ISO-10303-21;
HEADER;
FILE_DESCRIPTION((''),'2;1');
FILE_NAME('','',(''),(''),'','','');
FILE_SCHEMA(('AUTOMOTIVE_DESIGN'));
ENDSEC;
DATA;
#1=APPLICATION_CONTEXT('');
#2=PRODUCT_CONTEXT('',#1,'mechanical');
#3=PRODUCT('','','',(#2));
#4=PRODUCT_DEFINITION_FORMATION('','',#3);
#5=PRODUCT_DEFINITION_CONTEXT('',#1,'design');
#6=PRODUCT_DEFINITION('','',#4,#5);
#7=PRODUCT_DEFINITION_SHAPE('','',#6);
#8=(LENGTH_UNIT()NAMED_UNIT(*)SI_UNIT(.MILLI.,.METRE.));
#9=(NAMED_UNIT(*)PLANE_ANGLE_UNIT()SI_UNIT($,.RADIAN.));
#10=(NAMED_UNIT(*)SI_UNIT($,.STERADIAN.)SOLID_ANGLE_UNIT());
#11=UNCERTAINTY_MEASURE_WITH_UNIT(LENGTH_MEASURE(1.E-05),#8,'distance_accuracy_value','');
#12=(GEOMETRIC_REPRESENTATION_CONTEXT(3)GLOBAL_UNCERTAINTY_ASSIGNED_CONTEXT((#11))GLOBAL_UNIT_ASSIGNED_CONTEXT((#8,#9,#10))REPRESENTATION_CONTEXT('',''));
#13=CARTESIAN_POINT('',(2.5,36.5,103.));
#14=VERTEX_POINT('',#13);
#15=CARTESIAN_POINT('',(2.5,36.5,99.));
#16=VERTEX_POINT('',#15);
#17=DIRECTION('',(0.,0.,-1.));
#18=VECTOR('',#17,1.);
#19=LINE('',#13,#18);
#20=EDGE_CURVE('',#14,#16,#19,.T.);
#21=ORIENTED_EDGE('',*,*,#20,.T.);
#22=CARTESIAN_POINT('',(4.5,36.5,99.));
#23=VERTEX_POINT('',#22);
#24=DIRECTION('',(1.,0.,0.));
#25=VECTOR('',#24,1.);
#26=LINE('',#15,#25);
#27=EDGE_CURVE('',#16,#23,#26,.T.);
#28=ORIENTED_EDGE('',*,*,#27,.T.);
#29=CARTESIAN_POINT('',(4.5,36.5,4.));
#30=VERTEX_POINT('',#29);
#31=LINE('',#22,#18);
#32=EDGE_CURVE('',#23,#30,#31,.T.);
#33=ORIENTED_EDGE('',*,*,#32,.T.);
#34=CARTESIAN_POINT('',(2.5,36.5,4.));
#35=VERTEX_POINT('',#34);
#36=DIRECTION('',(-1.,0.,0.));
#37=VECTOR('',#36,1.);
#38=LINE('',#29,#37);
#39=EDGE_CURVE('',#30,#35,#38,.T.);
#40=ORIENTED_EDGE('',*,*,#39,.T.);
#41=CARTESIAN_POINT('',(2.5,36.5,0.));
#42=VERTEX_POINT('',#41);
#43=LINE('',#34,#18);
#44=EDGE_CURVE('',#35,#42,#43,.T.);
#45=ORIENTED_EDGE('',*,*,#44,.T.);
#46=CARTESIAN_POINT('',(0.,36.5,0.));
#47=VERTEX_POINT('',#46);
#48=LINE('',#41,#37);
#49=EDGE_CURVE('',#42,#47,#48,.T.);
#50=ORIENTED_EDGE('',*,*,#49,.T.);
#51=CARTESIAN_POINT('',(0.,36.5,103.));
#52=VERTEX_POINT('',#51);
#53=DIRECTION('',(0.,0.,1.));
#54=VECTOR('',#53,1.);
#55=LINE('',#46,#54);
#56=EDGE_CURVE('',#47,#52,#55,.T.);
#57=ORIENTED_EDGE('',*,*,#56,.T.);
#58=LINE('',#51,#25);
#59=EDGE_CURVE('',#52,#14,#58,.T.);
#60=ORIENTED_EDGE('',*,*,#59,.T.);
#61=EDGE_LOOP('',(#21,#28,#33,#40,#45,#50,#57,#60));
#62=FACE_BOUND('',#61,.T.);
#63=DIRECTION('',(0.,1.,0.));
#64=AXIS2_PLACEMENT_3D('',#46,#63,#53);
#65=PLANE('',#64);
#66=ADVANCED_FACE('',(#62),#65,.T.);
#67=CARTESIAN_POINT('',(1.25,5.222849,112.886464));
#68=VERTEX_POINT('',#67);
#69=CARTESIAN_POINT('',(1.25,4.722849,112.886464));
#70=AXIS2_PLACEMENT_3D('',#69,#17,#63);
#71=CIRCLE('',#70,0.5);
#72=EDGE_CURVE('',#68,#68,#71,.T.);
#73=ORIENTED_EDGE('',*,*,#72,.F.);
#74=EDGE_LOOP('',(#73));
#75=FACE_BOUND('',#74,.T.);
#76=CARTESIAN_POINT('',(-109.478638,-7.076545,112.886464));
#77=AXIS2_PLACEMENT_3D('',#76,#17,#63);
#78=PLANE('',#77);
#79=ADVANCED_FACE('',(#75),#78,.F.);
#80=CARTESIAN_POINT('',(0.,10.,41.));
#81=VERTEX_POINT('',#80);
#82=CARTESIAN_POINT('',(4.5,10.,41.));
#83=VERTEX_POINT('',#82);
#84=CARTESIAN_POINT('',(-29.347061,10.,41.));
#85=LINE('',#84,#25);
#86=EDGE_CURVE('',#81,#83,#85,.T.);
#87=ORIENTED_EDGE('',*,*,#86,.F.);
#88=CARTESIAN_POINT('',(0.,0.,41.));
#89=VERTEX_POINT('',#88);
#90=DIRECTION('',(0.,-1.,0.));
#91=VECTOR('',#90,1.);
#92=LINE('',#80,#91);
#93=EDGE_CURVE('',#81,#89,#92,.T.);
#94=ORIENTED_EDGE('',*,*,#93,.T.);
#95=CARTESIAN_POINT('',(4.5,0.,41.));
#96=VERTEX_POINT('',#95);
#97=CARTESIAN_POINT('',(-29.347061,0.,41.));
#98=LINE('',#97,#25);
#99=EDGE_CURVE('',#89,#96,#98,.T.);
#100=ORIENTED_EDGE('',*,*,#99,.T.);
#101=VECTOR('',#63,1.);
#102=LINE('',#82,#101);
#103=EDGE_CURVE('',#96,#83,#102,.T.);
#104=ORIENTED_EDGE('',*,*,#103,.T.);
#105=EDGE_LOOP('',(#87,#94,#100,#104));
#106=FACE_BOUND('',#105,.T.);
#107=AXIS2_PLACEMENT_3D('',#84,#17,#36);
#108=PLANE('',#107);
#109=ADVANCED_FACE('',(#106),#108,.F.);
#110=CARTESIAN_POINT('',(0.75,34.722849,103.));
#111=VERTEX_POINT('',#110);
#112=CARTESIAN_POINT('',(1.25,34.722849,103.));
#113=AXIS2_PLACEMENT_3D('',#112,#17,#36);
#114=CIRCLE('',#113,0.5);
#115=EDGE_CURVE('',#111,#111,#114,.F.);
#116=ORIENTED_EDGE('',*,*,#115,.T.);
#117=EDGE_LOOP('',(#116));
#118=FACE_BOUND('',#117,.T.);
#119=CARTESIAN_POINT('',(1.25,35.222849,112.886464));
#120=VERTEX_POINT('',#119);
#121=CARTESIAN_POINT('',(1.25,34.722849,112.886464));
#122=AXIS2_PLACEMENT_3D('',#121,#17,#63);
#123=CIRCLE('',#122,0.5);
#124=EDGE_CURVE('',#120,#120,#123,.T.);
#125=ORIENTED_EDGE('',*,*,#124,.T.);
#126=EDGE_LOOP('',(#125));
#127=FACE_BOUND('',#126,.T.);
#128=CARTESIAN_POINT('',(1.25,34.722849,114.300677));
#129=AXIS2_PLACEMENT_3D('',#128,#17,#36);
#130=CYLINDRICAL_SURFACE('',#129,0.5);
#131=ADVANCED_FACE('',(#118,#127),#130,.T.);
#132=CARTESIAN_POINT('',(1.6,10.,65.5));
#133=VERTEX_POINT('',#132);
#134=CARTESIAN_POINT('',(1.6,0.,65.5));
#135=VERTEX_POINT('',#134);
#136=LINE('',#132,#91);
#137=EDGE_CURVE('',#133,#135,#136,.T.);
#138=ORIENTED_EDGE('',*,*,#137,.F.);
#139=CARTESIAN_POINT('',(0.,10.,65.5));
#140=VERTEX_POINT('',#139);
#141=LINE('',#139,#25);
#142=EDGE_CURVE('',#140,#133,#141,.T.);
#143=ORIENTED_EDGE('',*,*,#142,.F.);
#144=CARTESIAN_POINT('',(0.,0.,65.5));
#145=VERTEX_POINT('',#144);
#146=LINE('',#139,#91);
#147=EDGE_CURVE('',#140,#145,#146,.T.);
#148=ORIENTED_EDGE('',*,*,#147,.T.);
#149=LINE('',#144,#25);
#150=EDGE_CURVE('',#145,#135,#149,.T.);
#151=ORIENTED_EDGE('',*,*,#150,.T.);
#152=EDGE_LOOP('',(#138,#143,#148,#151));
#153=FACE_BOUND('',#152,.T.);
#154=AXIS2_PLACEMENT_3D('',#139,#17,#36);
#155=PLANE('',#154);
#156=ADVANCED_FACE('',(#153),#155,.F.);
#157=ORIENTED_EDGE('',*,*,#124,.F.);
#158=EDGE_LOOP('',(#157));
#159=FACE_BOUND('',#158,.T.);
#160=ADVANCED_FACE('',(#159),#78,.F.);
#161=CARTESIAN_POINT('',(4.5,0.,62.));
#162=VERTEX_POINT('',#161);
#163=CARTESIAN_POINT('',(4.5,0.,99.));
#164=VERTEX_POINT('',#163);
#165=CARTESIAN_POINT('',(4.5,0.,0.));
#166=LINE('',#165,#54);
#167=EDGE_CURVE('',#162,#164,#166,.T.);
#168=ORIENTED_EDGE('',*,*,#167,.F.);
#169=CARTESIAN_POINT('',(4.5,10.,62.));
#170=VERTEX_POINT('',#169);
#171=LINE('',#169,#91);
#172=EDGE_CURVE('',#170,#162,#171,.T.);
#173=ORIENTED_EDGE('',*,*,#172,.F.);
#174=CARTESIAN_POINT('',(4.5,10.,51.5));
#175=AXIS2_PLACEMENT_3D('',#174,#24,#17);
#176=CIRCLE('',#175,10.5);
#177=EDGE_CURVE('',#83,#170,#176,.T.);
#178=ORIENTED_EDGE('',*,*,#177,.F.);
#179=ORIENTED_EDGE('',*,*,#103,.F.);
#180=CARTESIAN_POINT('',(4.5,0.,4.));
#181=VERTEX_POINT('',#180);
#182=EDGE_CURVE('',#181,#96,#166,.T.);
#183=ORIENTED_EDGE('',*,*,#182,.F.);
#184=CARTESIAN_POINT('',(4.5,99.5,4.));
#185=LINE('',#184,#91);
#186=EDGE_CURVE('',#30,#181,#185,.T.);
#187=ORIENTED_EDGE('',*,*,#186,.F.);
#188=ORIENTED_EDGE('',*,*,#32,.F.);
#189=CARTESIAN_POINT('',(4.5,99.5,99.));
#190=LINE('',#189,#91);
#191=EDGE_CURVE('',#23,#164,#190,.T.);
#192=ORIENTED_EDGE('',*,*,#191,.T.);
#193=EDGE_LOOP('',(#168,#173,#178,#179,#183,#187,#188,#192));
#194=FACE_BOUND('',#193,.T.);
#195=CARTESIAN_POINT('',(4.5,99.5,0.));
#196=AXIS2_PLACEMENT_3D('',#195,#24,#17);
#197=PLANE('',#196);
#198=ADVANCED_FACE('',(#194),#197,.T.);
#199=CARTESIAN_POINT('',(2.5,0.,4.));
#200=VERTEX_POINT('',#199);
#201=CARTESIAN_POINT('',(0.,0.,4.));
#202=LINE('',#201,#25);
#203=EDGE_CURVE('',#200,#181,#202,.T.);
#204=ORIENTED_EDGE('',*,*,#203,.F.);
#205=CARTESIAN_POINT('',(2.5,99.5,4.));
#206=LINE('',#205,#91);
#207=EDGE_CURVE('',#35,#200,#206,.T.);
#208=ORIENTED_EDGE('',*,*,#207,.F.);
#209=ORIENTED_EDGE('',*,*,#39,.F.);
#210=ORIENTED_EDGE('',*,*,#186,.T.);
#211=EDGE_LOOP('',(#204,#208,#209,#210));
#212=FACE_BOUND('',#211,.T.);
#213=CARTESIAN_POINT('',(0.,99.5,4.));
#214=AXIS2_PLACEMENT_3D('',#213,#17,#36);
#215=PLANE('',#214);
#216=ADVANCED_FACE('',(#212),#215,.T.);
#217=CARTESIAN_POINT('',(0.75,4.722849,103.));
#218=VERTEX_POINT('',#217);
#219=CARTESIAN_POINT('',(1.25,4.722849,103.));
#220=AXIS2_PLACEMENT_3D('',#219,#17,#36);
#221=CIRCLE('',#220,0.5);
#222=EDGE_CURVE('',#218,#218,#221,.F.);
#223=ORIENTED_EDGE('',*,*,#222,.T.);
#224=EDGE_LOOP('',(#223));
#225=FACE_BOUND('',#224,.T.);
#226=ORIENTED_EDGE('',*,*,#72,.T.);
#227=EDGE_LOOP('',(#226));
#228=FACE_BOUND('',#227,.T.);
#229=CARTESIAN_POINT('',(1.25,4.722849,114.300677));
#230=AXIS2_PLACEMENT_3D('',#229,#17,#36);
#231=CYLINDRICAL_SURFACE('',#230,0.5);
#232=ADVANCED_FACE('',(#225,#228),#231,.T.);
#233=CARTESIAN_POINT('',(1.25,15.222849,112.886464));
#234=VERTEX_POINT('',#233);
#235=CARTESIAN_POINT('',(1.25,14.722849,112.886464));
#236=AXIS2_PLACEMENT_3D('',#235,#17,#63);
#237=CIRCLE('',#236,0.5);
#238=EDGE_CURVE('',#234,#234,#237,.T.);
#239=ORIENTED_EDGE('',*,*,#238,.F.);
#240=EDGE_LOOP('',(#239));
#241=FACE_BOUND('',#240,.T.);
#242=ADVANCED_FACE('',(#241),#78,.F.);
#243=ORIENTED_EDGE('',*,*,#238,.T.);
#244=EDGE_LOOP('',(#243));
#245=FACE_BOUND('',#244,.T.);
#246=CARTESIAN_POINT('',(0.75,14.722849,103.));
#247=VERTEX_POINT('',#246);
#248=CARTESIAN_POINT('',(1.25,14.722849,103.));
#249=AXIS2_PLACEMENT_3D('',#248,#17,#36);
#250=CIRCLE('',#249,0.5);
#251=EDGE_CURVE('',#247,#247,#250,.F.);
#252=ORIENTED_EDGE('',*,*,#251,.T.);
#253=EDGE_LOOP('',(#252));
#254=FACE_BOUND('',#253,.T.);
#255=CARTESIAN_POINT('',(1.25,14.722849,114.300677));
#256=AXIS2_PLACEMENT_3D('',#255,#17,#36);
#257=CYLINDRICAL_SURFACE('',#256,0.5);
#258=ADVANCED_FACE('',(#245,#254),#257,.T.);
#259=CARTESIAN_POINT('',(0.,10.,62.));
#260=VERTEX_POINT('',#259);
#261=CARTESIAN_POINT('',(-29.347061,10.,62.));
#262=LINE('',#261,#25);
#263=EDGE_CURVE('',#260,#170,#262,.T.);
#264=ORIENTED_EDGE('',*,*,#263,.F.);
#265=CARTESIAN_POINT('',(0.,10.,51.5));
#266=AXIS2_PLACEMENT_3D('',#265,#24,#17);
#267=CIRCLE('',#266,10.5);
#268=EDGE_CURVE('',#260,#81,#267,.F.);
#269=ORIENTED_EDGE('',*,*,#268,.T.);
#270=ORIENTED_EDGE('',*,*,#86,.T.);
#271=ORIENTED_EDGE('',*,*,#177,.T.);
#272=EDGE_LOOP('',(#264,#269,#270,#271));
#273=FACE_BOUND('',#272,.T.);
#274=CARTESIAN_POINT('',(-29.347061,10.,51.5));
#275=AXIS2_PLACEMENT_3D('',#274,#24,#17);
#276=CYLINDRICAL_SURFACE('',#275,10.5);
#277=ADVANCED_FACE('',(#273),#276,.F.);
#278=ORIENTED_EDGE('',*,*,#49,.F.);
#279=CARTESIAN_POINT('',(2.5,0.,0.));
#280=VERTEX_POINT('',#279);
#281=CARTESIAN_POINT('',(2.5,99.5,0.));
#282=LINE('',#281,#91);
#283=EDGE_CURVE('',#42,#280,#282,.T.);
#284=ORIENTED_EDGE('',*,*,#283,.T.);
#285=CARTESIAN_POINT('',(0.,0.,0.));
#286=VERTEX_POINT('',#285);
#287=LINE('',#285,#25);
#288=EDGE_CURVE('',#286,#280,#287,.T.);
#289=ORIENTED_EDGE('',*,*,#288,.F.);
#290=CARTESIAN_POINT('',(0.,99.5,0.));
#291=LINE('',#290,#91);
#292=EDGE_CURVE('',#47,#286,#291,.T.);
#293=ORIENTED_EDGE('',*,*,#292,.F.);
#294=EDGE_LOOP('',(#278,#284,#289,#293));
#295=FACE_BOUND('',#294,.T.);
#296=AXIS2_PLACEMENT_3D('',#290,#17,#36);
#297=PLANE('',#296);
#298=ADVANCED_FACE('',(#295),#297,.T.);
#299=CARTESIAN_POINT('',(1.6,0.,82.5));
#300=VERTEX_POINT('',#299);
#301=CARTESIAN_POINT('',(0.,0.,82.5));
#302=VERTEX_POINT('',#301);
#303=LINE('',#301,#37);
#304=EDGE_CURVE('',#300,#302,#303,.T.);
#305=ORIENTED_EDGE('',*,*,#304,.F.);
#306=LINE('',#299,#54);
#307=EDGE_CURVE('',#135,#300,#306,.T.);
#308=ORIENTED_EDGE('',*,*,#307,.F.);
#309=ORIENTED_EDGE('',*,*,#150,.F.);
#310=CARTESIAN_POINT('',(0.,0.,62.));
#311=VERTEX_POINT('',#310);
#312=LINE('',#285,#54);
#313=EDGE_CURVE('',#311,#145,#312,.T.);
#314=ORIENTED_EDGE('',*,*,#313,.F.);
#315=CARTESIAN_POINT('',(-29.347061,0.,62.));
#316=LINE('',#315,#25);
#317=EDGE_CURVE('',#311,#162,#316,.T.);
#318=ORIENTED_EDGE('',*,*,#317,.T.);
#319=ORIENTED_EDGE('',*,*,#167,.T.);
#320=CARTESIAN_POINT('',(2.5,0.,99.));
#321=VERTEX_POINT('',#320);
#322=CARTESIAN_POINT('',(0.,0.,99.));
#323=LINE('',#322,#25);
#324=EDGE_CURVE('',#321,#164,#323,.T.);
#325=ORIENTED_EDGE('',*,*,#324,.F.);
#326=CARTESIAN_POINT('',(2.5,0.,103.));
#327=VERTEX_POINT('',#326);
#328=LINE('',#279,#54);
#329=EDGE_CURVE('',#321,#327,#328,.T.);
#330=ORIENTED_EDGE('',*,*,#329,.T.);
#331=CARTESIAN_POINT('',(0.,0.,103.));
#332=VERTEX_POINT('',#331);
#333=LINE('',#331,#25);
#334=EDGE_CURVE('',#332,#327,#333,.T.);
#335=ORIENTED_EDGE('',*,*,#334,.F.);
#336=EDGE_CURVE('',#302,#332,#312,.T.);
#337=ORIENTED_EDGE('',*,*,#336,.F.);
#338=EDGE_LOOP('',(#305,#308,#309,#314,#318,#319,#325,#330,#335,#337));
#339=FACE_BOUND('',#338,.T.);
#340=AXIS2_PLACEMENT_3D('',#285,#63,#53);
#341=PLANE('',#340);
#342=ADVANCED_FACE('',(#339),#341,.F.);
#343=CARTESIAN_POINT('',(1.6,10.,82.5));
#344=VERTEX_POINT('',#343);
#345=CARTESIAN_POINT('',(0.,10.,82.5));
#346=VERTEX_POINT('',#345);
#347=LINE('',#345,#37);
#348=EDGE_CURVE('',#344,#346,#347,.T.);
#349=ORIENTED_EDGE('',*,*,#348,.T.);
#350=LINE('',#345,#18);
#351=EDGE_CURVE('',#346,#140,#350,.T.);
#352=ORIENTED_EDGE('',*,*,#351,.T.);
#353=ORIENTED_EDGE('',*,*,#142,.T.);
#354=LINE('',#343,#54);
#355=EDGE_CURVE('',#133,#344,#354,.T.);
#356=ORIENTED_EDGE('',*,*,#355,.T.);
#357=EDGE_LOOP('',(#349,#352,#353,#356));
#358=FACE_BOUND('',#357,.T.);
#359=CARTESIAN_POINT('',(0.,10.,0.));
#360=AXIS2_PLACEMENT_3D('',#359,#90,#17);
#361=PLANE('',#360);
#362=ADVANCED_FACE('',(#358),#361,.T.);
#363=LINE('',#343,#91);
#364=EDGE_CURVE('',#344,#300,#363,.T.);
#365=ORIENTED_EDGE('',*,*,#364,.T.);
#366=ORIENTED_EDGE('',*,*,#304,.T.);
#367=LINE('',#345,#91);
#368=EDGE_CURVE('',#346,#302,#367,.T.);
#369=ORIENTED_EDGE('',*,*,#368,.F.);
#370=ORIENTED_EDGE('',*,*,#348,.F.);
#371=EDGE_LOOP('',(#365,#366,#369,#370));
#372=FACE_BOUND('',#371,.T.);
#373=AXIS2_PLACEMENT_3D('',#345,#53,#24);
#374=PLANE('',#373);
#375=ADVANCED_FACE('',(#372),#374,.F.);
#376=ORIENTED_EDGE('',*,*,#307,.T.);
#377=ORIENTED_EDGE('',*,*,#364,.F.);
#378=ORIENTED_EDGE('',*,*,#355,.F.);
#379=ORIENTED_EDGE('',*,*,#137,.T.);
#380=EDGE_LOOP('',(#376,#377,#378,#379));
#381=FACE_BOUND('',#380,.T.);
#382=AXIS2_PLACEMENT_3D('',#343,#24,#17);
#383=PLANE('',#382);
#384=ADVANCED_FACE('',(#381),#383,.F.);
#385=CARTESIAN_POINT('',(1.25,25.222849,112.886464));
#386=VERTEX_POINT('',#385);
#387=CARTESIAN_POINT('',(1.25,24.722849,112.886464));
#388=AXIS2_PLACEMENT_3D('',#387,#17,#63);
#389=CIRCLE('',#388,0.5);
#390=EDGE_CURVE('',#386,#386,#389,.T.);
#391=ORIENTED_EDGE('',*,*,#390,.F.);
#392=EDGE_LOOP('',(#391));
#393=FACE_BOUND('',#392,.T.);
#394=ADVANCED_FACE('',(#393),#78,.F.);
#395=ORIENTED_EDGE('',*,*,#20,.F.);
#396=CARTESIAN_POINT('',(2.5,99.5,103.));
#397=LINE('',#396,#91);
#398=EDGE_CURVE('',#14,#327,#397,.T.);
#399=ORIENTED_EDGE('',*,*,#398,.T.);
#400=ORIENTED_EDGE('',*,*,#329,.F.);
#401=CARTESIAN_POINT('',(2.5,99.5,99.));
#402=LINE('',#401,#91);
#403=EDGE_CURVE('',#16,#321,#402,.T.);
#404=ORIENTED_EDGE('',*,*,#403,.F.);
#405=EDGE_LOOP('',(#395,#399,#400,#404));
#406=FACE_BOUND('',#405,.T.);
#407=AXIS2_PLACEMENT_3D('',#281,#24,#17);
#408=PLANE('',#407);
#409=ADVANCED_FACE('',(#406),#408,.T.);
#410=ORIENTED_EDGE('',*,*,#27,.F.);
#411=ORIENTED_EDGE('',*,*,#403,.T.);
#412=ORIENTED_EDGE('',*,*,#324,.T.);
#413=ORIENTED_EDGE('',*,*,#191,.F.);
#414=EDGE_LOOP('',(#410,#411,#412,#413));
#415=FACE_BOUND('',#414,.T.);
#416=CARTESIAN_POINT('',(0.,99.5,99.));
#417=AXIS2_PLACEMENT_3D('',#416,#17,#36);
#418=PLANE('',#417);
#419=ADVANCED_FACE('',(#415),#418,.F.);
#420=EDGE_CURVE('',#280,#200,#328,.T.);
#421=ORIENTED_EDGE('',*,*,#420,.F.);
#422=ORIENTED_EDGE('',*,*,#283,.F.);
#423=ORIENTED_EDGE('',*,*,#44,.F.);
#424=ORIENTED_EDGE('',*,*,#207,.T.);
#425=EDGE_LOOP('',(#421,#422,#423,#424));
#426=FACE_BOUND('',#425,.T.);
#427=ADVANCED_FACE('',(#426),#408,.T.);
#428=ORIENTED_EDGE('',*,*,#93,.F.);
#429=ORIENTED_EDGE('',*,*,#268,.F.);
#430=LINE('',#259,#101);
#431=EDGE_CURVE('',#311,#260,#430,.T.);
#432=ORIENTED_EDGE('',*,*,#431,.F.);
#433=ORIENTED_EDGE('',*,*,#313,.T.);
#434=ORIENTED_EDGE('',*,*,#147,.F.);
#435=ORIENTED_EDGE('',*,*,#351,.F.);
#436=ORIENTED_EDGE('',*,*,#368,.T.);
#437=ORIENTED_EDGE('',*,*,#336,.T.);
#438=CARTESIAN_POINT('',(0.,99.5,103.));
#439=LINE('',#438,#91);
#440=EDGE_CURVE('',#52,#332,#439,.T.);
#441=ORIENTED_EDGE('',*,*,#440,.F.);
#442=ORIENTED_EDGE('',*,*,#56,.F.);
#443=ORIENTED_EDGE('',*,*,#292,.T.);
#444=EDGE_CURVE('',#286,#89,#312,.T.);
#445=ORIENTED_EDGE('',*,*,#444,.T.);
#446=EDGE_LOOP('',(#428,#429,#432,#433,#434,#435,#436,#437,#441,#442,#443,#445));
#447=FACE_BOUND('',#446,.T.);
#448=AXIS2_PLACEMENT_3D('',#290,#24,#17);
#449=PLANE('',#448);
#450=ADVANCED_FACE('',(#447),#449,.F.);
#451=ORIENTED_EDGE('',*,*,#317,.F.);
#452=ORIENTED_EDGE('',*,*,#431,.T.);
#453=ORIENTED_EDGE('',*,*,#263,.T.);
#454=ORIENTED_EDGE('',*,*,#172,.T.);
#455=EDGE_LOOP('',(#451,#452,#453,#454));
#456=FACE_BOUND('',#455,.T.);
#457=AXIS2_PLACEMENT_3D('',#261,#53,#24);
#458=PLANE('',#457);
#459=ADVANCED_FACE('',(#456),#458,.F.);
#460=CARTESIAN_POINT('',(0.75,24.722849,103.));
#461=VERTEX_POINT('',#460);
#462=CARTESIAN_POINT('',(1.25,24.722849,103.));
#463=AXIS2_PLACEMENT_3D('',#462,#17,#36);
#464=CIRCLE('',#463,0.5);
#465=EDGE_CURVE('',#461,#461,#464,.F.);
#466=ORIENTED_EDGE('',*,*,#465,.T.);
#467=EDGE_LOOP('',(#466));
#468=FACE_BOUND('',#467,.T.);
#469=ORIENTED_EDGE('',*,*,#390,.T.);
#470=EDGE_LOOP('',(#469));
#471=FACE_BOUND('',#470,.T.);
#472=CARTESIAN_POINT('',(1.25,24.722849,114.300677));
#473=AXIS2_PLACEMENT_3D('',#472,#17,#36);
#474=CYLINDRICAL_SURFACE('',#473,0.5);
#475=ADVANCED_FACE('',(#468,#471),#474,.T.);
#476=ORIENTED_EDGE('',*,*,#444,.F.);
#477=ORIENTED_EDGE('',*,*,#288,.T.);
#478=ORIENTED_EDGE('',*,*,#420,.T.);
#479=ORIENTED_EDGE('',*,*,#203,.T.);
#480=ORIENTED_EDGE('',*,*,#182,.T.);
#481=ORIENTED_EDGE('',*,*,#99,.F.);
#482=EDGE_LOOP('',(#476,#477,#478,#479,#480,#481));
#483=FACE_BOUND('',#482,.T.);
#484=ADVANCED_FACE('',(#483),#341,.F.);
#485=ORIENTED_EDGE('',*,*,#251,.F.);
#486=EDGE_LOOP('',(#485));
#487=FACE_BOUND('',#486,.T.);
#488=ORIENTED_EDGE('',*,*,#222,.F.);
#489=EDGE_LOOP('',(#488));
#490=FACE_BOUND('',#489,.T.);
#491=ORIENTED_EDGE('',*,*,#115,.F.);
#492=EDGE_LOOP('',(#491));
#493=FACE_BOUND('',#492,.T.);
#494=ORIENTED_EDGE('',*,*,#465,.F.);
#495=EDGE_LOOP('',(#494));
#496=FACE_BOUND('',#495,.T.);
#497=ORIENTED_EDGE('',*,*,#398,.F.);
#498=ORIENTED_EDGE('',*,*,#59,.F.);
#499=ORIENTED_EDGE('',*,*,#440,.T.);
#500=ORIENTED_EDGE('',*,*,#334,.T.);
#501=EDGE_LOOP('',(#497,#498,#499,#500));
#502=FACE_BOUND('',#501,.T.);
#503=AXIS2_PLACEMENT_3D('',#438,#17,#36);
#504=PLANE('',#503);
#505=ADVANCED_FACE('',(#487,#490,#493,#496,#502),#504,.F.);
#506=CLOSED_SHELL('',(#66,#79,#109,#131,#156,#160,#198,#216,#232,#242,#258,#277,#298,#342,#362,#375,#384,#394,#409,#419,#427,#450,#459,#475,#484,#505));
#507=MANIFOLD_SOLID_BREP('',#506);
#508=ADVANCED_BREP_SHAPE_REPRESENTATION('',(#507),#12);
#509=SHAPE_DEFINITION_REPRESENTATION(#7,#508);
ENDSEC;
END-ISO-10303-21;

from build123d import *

# Parameters (mm, degrees)
SKETCH_1_W          = 2.5
SKETCH_1_H          = 103
SKETCH_1_W_2        = 2
SKETCH_1_H_2        = 95
EXTRUDE_1_DEPTH     = 99.5
CUT_EXTRUDE_2_DEPTH = 4.5
CUT_EXTRUDE_3_DEPTH = 58.5
CUT_EXTRUDE_4_DEPTH = 4.5
SKETCH_6_W          = 1.6
SKETCH_6_H          = 17
CUT_EXTRUDE_5_DEPTH = 10
SKETCH_7_R          = 0.5
EXTRUDE_2_DEPTH     = 9.886463591


with BuildPart() as part:
    # 스케치1 → 보스-돌출1 (new body)
    with BuildSketch(Plane(origin=(0, 0, 0), x_dir=(1, 0, 0), z_dir=(0, 1, 0))):
        with Locations((1.25, -51.5)):
            Rectangle(SKETCH_1_W, SKETCH_1_H)
        with Locations((3.5, -51.5)):
            Rectangle(SKETCH_1_W_2, SKETCH_1_H_2)
    extrude(amount=EXTRUDE_1_DEPTH)

    # 스케치2 → 컷-돌출2 (cut)
    with BuildSketch(Plane(origin=(4.5, 0, 0), x_dir=(0, 0, -1), z_dir=(1, 0, 0))):
        with BuildLine():
            Line((-62, 10), (-62, 0))
            Line((-62, 0), (-41, 0))
            Line((-41, 0), (-41, 10))
            ThreePointArc((-41, 10), (-51.5, 20.5), (-62, 10))
        make_face()
    extrude(amount=-CUT_EXTRUDE_2_DEPTH, mode=Mode.SUBTRACT)

    # 스케치3 → 컷-돌출3 (cut)
    with BuildSketch(Plane(origin=(0, 99.5, 0), x_dir=(1, 0, 0), z_dir=(0, 1, 0))):
        Polygon((2.5, -4), (2.5, 0), (0, 0), (0, -103), (2.5, -103), (2.5, -99), (4.5, -99), (4.5, -4), align=None)
    extrude(amount=-CUT_EXTRUDE_3_DEPTH, mode=Mode.SUBTRACT)

    # 스케치4 → 컷-돌출4 (cut)
    with BuildSketch(Plane(origin=(0, 41, 0), x_dir=(1, 0, 0), z_dir=(0, 1, 0))):
        Polygon((4.5, -4), (2.5, -4), (2.5, 0), (0, 0), (0, -103), (2.5, -103), (2.5, -99), (4.5, -99), align=None)
    extrude(amount=-CUT_EXTRUDE_4_DEPTH, mode=Mode.SUBTRACT)

    # 스케치6 → 컷-돌출5 (cut)
    with BuildSketch(Plane.XZ):
        with Locations((0.8, 74)):
            Rectangle(SKETCH_6_W, SKETCH_6_H)
    extrude(amount=-CUT_EXTRUDE_5_DEPTH, mode=Mode.SUBTRACT)

    # 스케치7 → 보스-돌출2 (add)
    with BuildSketch(Plane.XY.offset(103)):
        with Locations(Location((1.25, 34.722848579, 0), (0, 0, 180))):
            Circle(SKETCH_7_R)
        with Locations(Location((1.25, 24.722848579, 0), (0, 0, 180))):
            Circle(SKETCH_7_R)
        with Locations(Location((1.25, 14.722848579, 0), (0, 0, 180))):
            Circle(SKETCH_7_R)
        with Locations(Location((1.25, 4.722848579, 0), (0, 0, 180))):
            Circle(SKETCH_7_R)
    extrude(amount=EXTRUDE_2_DEPTH)


solid = part.part
